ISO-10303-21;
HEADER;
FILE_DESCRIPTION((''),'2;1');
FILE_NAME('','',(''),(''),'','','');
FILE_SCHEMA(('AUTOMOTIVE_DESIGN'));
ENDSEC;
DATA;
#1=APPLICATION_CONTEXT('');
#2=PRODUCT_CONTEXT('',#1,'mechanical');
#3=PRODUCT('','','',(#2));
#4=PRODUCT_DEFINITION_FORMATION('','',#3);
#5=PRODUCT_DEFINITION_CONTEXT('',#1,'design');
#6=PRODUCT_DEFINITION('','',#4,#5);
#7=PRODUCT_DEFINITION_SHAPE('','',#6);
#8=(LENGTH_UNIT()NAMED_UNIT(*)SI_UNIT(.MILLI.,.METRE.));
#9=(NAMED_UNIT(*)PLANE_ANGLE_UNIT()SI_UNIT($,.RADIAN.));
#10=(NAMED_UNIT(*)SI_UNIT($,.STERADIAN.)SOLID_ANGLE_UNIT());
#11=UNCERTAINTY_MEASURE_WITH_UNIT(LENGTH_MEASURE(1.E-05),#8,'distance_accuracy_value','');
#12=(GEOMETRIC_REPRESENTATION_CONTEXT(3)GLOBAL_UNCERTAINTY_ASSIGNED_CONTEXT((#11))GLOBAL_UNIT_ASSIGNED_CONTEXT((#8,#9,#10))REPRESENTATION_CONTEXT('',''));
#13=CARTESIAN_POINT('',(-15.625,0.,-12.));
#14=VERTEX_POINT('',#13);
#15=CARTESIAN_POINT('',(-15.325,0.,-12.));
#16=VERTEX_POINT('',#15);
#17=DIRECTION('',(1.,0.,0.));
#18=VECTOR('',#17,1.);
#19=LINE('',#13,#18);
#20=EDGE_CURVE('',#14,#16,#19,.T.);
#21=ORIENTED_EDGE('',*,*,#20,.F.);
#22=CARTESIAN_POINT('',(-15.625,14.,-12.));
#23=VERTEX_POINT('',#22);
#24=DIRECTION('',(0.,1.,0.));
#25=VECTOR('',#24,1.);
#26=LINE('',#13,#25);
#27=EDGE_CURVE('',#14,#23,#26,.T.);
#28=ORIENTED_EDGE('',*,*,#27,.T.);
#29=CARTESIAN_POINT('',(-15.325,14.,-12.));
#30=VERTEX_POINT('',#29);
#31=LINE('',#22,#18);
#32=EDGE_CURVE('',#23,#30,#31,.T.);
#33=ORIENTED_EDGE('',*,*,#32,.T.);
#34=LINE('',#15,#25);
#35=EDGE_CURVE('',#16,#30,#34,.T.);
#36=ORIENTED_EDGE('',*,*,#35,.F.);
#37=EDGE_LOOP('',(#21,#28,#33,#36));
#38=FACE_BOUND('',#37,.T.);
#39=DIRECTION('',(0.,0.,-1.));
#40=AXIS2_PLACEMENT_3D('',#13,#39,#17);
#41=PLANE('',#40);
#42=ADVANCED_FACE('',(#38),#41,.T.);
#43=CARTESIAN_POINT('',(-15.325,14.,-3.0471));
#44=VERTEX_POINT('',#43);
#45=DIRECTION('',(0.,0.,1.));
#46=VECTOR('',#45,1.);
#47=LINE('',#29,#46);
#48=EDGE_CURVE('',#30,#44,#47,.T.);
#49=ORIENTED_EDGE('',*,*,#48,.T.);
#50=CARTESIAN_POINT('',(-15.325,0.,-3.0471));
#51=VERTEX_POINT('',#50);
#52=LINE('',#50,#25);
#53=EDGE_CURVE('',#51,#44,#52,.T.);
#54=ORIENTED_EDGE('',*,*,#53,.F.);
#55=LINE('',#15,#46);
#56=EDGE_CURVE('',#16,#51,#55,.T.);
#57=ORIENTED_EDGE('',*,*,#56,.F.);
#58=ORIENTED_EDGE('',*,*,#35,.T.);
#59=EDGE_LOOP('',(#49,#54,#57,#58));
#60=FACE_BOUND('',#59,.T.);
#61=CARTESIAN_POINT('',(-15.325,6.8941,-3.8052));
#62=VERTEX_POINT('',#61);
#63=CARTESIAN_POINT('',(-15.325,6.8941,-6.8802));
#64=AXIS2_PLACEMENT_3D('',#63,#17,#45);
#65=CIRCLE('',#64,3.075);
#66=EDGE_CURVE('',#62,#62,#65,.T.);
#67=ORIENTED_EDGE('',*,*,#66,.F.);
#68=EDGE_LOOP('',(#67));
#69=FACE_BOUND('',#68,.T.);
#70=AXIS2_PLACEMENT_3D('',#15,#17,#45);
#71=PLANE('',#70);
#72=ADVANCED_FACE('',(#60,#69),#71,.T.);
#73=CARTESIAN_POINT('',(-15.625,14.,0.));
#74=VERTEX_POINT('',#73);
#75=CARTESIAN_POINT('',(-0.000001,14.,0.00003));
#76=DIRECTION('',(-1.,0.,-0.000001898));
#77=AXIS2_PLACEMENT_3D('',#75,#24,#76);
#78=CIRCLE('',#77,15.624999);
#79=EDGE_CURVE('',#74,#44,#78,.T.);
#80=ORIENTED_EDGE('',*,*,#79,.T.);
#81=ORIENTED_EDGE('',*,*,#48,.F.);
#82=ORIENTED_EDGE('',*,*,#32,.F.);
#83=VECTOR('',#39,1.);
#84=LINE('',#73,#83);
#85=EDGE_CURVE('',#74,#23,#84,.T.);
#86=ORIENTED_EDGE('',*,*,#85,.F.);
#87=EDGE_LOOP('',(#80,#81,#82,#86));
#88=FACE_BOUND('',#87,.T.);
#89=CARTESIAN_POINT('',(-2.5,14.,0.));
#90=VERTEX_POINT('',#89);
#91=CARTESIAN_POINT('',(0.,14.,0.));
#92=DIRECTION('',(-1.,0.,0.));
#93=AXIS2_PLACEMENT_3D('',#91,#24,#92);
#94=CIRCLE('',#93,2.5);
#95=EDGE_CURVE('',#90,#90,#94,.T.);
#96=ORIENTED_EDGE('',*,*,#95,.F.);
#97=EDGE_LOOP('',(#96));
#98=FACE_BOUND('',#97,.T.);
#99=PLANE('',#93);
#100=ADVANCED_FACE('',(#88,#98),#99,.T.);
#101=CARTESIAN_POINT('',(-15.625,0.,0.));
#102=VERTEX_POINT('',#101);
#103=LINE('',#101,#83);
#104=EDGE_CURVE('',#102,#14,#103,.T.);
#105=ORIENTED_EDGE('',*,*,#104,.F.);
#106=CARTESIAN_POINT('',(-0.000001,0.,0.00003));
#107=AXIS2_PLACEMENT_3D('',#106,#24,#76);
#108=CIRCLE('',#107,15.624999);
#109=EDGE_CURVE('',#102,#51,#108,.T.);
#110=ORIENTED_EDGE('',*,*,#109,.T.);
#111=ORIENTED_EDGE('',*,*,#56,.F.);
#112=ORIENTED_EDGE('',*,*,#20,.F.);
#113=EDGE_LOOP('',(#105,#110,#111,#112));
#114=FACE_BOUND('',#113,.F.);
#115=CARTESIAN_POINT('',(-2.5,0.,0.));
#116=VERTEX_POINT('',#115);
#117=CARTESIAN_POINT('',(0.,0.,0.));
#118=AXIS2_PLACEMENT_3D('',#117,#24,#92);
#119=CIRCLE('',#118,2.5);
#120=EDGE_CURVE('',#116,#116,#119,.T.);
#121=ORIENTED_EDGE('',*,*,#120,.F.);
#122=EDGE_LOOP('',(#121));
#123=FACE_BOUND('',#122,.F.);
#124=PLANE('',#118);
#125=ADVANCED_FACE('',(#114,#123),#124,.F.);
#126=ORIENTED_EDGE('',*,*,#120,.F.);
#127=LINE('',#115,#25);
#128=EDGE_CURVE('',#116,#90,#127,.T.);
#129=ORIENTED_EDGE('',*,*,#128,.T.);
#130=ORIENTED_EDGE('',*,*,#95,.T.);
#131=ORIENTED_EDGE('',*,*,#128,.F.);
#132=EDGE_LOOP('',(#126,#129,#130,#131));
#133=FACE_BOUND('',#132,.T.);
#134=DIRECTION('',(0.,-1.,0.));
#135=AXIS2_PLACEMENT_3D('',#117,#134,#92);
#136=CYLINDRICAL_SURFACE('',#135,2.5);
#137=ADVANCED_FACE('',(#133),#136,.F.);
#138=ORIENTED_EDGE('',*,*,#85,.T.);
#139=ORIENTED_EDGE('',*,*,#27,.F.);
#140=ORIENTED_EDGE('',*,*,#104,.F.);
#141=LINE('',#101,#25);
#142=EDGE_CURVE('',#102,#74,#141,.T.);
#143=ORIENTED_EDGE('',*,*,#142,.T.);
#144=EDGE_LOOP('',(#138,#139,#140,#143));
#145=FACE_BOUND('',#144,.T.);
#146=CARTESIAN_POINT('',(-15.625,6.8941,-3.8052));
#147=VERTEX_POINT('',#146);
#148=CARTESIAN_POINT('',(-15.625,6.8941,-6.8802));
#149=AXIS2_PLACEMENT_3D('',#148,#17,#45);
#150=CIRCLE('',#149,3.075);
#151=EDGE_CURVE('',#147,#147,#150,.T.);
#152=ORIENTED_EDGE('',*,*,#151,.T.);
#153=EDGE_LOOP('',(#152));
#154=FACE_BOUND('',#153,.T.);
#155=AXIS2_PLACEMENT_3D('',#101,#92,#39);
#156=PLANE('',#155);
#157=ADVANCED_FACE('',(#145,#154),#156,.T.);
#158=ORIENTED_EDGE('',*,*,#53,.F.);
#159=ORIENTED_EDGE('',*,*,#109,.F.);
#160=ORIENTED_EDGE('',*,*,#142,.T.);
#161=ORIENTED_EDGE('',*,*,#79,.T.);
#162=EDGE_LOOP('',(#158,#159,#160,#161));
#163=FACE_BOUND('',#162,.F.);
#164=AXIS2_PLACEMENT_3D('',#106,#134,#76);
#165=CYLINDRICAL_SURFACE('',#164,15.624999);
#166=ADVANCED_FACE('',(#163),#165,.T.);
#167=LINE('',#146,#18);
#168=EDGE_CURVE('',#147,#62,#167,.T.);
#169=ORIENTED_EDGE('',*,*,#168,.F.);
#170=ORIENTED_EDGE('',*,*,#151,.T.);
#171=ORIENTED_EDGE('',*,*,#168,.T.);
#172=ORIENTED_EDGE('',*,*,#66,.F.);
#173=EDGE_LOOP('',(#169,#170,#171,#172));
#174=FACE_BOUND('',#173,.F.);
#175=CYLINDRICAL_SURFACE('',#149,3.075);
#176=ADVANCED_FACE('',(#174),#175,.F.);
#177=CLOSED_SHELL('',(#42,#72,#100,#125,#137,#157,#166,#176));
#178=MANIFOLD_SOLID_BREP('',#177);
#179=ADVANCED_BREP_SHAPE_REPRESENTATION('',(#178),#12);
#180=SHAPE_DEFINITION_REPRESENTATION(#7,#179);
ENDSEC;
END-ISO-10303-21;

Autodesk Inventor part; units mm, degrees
ref_plane "YZ Plane" through (0, 0, 0) normal (1, 0, 0) x (0, 1, 0)
ref_plane "XZ Plane" through (0, 0, 0) normal (0, 1, 0) x (-1, 0, 0)
ref_plane "XY Plane" through (0, 0, 0) normal (0, 0, 1) x (1, 0, 0)
sketch "Sketch1" plane through (0, 0, 0) normal (0, 1, 0) x (-1, 0, 0)
  arc A0 (15.625, 0) -> (15.325, -3.0471) centre (0, 0) ccw
  circle A1 centre (0, 0) radius 2.5
  line L0 (15.625, 0) -> (15.625, -12)
  line L1 (15.625, -12) -> (15.325, -12)
  line L2 (15.325, -12) -> (15.325, -3.0471)
  dimension "d0" = 31.25
  dimension "d1" = 5
  dimension "d4" = 0.3
  dimension "d5" = 12
extrude "Extrusion1" add sketch "Sketch1" along normal blind 14
sketch "Sketch2" plane through (-15.625, 0, -12) normal (-1, 0, 0) x (0, 0, 1)
  point P0 (12, 0)
  point P1 (5.1198, 6.8941)
hole "Hole1" at (-15.625, 6.8941, -6.8802) direction (1, 0, 0) diameter 6.15 depth 0.3
properties part number "CF Spring with hole"
